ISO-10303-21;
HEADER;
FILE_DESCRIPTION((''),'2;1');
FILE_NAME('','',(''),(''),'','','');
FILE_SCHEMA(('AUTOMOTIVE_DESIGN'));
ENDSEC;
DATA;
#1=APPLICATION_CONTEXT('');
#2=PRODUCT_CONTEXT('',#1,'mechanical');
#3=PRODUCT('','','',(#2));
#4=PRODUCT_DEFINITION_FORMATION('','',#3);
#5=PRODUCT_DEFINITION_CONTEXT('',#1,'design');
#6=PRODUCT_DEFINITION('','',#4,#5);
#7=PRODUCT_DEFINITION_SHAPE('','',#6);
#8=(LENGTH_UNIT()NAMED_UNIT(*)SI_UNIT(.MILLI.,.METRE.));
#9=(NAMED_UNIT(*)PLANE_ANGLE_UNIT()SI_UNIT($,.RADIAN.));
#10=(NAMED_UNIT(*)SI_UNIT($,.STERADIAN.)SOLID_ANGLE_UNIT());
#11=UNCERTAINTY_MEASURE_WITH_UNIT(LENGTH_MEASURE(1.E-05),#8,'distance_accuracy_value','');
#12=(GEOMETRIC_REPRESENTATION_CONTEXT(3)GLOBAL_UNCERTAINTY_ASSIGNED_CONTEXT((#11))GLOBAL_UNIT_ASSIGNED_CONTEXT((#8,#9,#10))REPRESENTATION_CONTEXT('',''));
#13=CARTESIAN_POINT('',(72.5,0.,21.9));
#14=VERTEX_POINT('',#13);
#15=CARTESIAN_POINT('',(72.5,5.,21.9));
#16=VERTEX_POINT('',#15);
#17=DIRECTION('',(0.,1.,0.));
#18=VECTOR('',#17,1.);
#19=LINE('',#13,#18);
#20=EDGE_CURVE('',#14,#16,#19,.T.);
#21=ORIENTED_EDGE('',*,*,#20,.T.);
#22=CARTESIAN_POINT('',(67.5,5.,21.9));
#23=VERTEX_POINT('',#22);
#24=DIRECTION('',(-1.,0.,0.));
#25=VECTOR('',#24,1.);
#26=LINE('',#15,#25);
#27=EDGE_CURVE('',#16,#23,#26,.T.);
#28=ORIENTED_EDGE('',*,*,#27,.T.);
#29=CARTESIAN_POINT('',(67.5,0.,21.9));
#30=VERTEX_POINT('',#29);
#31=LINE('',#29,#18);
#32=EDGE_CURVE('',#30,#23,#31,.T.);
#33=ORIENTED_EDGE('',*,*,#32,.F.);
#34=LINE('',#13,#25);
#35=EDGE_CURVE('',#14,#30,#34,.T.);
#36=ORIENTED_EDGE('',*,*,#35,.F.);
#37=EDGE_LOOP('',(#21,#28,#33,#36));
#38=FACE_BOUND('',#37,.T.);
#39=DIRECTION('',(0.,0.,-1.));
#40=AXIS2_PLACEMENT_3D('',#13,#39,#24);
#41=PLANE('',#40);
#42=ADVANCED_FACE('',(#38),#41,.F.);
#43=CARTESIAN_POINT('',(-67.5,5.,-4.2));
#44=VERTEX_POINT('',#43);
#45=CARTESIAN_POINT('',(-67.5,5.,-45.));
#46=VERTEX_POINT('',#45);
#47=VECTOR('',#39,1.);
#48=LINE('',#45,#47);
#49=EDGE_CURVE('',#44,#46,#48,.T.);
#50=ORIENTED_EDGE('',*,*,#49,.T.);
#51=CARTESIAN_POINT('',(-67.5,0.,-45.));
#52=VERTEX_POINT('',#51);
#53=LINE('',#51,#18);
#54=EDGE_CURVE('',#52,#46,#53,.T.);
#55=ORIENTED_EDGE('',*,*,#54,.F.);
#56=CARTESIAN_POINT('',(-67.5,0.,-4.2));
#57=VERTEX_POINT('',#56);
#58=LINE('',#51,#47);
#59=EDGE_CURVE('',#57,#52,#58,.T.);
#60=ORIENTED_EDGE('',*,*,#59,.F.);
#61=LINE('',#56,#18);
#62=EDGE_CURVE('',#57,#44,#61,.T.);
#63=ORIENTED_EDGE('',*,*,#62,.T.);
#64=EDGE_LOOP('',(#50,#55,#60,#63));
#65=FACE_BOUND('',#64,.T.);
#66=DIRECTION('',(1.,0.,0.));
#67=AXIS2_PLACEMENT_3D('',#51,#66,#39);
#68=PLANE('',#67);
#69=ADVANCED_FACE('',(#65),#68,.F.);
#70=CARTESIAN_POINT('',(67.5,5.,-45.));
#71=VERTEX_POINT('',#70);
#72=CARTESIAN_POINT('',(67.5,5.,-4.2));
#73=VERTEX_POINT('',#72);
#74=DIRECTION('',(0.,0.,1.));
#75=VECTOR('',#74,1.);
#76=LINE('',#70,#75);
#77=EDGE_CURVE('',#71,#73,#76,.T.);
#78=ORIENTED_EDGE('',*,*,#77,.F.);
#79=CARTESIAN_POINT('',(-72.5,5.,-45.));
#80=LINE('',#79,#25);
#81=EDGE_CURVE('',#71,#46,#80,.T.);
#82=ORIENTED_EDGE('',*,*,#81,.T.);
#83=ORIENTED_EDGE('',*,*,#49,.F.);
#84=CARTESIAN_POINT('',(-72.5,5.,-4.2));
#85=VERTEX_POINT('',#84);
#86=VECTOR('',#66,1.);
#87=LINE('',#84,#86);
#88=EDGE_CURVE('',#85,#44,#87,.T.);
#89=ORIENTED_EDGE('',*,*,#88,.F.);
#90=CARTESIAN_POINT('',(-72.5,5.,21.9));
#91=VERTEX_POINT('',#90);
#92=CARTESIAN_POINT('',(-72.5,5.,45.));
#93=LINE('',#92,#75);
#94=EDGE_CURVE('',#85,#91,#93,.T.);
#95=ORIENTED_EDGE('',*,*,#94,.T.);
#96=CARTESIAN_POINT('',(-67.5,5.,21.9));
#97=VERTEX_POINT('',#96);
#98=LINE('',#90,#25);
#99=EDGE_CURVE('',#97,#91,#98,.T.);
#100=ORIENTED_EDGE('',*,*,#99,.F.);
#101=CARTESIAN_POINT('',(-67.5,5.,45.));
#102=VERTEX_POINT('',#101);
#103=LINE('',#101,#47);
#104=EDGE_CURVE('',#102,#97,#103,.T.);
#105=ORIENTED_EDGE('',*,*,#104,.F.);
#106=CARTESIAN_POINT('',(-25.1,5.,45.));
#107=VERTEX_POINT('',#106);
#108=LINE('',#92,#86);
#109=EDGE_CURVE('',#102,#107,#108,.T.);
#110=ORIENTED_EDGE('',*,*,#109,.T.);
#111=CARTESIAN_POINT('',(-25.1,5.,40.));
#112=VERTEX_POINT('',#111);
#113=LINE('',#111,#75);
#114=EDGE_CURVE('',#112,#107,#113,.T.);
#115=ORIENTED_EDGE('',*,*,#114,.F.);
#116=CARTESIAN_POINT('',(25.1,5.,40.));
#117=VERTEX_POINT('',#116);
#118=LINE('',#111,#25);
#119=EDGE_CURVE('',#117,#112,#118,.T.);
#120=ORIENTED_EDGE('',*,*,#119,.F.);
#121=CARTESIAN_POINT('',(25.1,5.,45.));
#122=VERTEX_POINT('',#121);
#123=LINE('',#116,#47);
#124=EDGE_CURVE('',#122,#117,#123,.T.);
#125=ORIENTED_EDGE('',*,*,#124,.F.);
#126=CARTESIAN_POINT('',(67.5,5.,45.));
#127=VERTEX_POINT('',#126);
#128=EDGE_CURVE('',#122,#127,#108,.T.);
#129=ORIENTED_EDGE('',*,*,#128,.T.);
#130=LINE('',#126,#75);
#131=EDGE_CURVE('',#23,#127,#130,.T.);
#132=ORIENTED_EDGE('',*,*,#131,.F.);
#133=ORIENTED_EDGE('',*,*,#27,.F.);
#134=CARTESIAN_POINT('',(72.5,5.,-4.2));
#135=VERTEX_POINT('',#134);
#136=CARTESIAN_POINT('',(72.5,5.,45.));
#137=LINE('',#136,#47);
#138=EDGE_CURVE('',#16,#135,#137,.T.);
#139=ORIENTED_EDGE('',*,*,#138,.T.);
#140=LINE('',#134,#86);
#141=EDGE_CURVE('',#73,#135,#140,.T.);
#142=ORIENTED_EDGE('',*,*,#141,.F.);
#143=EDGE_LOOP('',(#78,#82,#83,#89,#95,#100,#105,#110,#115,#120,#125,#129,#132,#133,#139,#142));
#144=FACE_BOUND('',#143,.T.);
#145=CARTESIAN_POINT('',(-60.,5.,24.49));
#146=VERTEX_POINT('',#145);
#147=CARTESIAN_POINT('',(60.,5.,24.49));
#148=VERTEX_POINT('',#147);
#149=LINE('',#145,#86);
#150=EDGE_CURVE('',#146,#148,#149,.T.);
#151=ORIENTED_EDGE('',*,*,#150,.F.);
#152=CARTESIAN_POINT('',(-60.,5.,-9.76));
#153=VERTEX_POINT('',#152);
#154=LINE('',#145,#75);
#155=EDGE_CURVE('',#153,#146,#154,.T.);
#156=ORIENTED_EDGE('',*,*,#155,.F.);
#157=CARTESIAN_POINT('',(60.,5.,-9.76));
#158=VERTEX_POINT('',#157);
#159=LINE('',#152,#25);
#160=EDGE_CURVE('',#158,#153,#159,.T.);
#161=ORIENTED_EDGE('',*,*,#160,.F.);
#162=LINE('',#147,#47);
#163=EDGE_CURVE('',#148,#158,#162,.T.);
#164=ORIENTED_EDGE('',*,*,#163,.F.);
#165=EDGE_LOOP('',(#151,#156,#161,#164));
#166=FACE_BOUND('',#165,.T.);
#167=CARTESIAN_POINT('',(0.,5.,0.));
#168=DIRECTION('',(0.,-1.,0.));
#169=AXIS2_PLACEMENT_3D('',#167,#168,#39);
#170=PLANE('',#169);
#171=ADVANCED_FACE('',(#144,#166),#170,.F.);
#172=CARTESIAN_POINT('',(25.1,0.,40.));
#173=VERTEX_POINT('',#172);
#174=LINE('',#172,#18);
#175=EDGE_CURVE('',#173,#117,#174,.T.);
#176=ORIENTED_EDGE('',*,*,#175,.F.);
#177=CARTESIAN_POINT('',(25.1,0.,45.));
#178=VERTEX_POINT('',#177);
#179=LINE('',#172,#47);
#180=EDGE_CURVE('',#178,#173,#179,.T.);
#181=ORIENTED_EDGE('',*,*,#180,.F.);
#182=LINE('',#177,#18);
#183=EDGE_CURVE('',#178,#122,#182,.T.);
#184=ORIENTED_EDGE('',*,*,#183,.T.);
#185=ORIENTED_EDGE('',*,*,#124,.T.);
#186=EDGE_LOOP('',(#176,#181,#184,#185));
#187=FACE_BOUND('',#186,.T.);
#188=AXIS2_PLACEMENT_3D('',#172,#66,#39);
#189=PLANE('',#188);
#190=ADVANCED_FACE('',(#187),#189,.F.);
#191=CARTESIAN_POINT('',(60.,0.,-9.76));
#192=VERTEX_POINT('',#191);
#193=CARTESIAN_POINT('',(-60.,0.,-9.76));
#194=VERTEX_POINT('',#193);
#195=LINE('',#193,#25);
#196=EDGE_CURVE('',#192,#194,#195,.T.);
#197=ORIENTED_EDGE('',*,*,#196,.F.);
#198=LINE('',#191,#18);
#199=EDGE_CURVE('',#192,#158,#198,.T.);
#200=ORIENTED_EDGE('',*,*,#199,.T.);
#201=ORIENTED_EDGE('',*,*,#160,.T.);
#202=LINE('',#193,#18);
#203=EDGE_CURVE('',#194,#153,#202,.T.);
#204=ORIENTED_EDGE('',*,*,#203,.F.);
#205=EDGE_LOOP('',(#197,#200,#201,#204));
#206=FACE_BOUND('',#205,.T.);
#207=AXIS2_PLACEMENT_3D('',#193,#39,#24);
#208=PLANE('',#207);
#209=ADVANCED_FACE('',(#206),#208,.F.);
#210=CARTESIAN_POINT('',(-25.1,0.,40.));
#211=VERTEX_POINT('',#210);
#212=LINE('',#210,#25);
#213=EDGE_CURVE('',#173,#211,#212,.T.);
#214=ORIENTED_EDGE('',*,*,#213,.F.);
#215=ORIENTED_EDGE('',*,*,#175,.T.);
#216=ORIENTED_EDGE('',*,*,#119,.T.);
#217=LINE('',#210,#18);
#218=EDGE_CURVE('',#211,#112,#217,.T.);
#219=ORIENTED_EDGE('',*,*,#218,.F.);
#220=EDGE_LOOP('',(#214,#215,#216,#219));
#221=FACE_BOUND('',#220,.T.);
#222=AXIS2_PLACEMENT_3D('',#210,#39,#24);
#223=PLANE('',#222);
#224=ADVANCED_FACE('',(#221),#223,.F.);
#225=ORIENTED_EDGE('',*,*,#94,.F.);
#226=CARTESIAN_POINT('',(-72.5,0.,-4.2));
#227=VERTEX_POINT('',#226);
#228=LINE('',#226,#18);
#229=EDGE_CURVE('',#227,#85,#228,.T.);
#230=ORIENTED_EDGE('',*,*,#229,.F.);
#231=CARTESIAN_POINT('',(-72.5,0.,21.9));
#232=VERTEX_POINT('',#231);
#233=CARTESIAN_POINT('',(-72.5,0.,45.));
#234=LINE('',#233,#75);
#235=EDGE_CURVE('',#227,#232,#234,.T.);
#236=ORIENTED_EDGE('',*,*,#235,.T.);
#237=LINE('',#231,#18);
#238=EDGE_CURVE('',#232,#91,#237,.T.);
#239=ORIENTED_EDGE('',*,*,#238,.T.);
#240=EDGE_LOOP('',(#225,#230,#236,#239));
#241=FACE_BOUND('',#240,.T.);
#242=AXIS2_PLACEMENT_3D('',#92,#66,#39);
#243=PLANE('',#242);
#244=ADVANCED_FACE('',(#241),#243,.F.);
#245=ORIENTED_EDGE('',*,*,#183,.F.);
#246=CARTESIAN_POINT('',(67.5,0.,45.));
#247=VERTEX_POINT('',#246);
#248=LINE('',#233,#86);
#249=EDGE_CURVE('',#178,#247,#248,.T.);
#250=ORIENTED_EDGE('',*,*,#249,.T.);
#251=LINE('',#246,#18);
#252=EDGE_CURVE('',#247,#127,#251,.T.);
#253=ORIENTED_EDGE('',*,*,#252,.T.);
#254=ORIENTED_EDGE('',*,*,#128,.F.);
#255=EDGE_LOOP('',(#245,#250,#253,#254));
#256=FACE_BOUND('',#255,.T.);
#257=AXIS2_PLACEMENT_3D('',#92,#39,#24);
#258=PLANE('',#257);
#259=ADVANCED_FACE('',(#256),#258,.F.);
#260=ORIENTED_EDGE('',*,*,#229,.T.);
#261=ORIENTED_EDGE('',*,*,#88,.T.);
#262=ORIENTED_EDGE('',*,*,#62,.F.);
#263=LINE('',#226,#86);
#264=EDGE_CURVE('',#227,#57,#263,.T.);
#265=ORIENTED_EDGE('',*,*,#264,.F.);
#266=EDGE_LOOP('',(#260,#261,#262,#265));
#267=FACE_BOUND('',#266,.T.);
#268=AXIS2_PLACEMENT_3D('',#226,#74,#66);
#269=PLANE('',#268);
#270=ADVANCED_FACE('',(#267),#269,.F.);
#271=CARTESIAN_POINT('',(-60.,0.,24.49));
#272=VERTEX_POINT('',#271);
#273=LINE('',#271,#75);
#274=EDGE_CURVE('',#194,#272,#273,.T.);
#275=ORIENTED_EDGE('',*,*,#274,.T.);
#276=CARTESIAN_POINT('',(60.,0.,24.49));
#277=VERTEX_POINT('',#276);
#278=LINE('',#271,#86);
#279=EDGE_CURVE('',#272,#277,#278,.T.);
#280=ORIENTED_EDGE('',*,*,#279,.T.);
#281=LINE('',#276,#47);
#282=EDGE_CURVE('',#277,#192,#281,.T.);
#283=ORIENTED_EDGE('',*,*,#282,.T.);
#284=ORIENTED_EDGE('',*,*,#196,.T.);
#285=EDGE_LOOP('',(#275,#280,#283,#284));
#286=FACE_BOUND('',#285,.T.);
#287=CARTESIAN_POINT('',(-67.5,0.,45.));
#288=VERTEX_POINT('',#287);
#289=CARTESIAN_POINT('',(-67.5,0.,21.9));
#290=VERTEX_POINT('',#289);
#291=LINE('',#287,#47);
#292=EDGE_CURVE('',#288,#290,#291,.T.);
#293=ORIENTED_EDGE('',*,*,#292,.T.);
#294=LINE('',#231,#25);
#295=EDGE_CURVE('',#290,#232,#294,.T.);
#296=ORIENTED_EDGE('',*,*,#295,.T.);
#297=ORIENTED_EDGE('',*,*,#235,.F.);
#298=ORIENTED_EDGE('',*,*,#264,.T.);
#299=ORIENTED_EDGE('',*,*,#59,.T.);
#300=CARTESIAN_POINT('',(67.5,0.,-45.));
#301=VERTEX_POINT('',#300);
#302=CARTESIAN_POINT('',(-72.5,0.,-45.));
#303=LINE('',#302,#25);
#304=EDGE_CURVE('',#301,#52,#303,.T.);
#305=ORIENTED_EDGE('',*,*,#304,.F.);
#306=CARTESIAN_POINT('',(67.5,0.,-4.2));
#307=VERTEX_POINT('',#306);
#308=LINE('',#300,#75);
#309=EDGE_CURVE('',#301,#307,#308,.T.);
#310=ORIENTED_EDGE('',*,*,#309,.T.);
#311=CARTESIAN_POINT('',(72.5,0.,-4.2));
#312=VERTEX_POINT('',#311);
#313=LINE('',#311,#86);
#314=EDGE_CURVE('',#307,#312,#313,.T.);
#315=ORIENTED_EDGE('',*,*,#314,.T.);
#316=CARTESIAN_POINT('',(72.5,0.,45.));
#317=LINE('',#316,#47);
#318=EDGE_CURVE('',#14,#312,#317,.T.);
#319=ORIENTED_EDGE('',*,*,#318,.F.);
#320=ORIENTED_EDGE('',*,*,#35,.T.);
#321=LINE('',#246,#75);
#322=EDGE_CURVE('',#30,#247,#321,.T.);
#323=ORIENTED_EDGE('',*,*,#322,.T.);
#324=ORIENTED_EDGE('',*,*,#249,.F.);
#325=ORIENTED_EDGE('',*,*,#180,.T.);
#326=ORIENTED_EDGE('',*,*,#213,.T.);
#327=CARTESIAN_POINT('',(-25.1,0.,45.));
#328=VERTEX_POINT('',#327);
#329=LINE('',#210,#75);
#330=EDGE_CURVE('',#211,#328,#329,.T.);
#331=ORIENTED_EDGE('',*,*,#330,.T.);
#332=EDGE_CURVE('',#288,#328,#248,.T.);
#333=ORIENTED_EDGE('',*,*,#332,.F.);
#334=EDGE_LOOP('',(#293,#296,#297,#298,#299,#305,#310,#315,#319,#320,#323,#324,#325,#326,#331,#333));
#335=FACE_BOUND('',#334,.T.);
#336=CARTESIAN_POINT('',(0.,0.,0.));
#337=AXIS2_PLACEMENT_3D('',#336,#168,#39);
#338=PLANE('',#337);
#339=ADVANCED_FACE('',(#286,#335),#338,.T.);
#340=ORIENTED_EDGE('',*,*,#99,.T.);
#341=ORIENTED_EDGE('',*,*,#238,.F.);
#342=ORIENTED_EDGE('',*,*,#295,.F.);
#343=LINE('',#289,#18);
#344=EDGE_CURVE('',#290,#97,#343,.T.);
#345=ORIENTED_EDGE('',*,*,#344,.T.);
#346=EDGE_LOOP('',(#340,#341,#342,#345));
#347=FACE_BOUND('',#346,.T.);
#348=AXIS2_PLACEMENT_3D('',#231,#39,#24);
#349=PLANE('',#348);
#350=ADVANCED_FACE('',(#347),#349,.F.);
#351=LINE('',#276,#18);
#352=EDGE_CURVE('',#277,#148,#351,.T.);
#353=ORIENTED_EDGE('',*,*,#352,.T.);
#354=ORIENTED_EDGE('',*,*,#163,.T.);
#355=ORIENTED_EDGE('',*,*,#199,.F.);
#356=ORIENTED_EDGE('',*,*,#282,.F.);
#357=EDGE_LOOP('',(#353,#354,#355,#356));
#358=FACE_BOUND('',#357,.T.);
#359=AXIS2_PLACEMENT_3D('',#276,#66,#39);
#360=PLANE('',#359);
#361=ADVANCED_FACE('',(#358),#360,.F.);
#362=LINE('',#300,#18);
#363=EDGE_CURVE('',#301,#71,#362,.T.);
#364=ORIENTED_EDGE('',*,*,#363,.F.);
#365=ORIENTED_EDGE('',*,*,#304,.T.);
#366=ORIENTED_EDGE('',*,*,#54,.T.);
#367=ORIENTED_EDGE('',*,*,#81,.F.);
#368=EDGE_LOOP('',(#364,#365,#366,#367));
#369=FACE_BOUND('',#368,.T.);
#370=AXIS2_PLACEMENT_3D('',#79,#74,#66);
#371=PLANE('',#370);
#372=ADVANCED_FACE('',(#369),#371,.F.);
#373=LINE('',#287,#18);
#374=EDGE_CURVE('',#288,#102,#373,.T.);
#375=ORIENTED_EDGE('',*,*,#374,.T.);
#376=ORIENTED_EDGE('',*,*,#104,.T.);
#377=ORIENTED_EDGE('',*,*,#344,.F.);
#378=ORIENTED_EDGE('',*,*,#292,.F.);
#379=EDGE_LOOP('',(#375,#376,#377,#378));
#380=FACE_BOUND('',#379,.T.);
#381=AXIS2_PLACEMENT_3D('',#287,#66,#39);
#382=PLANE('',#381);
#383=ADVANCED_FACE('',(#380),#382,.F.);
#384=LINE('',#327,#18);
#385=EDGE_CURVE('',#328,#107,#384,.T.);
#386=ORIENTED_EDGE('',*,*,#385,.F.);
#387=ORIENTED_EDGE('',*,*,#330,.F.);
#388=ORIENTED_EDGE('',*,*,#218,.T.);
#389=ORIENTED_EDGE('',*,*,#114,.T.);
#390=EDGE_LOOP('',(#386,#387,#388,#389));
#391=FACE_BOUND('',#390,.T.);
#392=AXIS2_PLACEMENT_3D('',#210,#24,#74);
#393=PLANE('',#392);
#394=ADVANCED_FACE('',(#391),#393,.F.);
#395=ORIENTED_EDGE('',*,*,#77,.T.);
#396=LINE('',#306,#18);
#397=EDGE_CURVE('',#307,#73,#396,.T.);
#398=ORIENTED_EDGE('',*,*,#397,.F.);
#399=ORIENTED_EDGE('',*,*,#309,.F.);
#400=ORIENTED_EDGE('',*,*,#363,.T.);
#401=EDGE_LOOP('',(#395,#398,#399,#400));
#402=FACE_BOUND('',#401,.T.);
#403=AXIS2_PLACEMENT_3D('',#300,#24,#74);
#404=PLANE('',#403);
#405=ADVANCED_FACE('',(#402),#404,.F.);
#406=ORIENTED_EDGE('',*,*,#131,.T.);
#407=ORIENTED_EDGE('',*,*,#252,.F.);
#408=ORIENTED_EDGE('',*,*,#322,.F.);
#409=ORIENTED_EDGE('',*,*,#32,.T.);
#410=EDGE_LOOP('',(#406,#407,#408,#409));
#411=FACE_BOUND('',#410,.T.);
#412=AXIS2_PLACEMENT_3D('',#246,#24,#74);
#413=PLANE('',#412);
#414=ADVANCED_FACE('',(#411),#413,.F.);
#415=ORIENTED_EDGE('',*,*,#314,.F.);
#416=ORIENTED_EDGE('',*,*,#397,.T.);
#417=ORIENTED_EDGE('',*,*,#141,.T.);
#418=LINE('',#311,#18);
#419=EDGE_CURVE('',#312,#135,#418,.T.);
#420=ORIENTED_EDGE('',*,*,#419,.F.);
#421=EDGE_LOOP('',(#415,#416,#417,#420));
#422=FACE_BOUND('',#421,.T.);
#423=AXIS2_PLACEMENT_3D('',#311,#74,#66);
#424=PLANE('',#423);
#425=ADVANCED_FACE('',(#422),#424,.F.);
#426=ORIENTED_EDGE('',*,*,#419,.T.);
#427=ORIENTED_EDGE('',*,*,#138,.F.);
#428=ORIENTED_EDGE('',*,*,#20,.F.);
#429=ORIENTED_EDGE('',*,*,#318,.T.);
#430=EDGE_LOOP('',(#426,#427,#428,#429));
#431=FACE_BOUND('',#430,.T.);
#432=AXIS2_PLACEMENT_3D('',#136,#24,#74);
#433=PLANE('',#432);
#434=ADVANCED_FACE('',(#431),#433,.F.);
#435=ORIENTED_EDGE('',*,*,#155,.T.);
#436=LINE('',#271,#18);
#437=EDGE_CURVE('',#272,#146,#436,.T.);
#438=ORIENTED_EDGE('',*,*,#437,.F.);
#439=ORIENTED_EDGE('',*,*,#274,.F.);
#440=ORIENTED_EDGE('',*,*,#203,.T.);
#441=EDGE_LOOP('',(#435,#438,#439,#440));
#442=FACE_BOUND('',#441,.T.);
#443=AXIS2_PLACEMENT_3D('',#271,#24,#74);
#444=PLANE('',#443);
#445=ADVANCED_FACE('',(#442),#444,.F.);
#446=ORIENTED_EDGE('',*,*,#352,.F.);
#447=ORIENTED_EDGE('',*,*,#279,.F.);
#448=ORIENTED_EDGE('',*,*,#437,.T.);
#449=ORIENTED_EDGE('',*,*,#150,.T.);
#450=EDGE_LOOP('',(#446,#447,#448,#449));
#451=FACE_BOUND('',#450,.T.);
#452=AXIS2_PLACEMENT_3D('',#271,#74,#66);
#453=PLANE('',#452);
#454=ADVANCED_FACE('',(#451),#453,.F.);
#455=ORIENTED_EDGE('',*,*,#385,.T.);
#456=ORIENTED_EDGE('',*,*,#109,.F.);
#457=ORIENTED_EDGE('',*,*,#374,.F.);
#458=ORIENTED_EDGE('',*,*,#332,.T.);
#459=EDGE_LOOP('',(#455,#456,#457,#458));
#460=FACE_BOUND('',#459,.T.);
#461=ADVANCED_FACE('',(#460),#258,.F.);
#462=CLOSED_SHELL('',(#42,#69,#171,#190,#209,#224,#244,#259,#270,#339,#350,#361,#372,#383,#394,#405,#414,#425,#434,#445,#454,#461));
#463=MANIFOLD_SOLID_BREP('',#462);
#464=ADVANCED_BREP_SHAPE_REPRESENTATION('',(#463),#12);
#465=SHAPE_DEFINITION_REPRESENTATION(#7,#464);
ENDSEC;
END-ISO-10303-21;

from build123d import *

# Parameters (mm, degrees)
SKETCH1_W           = 145
SKETCH1_H           = 90
BOSS_EXTRUDE1_DEPTH = 5
SKETCH3_W           = 120
SKETCH3_H           = 34.25
CUT_EXTRUDE1_DEPTH  = 5
SKETCH4_W           = 5
SKETCH4_H           = 40.8
SKETCH4_H_2         = 23.1
CUT_EXTRUDE2_DEPTH  = 5
SKETCH7_W           = 50.2
SKETCH7_H           = 5
CUT_EXTRUDE3_DEPTH  = 5


with BuildPart() as part:
    # Sketch1 → Boss-Extrude1 (new body)
    with BuildSketch(Plane(origin=(0, 0, 0), x_dir=(1, 0, 0), z_dir=(0, 1, 0))):
        Rectangle(SKETCH1_W, SKETCH1_H)
    extrude(amount=BOSS_EXTRUDE1_DEPTH)

    # Sketch3 → Cut-Extrude1 (cut)
    with BuildSketch(Plane(origin=(0, 5, 0), x_dir=(1, 0, 0), z_dir=(0, 1, 0))):
        with Locations((0, -7.365)):
            Rectangle(SKETCH3_W, SKETCH3_H)
    extrude(amount=-CUT_EXTRUDE1_DEPTH, mode=Mode.SUBTRACT)

    # Sketch4 → Cut-Extrude2 (cut)
    with BuildSketch(Plane(origin=(0, 5, 0), x_dir=(1, 0, 0), z_dir=(0, 1, 0))):
        with Locations((-70, 24.6)):
            Rectangle(SKETCH4_W, SKETCH4_H)
        with Locations((-70, -33.45)):
            Rectangle(SKETCH4_W, SKETCH4_H_2)
        with Locations((70, -33.45)):
            Rectangle(SKETCH4_W, SKETCH4_H_2)
        with Locations((70, 24.6)):
            Rectangle(SKETCH4_W, SKETCH4_H)
    extrude(amount=-CUT_EXTRUDE2_DEPTH, mode=Mode.SUBTRACT)

    # Sketch7 → Cut-Extrude3 (cut)
    with BuildSketch(Plane(origin=(0, 5, 0), x_dir=(1, 0, 0), z_dir=(0, 1, 0))):
        with Locations((0, -42.5)):
            Rectangle(SKETCH7_W, SKETCH7_H)
    extrude(amount=-CUT_EXTRUDE3_DEPTH, mode=Mode.SUBTRACT)


solid = part.part
